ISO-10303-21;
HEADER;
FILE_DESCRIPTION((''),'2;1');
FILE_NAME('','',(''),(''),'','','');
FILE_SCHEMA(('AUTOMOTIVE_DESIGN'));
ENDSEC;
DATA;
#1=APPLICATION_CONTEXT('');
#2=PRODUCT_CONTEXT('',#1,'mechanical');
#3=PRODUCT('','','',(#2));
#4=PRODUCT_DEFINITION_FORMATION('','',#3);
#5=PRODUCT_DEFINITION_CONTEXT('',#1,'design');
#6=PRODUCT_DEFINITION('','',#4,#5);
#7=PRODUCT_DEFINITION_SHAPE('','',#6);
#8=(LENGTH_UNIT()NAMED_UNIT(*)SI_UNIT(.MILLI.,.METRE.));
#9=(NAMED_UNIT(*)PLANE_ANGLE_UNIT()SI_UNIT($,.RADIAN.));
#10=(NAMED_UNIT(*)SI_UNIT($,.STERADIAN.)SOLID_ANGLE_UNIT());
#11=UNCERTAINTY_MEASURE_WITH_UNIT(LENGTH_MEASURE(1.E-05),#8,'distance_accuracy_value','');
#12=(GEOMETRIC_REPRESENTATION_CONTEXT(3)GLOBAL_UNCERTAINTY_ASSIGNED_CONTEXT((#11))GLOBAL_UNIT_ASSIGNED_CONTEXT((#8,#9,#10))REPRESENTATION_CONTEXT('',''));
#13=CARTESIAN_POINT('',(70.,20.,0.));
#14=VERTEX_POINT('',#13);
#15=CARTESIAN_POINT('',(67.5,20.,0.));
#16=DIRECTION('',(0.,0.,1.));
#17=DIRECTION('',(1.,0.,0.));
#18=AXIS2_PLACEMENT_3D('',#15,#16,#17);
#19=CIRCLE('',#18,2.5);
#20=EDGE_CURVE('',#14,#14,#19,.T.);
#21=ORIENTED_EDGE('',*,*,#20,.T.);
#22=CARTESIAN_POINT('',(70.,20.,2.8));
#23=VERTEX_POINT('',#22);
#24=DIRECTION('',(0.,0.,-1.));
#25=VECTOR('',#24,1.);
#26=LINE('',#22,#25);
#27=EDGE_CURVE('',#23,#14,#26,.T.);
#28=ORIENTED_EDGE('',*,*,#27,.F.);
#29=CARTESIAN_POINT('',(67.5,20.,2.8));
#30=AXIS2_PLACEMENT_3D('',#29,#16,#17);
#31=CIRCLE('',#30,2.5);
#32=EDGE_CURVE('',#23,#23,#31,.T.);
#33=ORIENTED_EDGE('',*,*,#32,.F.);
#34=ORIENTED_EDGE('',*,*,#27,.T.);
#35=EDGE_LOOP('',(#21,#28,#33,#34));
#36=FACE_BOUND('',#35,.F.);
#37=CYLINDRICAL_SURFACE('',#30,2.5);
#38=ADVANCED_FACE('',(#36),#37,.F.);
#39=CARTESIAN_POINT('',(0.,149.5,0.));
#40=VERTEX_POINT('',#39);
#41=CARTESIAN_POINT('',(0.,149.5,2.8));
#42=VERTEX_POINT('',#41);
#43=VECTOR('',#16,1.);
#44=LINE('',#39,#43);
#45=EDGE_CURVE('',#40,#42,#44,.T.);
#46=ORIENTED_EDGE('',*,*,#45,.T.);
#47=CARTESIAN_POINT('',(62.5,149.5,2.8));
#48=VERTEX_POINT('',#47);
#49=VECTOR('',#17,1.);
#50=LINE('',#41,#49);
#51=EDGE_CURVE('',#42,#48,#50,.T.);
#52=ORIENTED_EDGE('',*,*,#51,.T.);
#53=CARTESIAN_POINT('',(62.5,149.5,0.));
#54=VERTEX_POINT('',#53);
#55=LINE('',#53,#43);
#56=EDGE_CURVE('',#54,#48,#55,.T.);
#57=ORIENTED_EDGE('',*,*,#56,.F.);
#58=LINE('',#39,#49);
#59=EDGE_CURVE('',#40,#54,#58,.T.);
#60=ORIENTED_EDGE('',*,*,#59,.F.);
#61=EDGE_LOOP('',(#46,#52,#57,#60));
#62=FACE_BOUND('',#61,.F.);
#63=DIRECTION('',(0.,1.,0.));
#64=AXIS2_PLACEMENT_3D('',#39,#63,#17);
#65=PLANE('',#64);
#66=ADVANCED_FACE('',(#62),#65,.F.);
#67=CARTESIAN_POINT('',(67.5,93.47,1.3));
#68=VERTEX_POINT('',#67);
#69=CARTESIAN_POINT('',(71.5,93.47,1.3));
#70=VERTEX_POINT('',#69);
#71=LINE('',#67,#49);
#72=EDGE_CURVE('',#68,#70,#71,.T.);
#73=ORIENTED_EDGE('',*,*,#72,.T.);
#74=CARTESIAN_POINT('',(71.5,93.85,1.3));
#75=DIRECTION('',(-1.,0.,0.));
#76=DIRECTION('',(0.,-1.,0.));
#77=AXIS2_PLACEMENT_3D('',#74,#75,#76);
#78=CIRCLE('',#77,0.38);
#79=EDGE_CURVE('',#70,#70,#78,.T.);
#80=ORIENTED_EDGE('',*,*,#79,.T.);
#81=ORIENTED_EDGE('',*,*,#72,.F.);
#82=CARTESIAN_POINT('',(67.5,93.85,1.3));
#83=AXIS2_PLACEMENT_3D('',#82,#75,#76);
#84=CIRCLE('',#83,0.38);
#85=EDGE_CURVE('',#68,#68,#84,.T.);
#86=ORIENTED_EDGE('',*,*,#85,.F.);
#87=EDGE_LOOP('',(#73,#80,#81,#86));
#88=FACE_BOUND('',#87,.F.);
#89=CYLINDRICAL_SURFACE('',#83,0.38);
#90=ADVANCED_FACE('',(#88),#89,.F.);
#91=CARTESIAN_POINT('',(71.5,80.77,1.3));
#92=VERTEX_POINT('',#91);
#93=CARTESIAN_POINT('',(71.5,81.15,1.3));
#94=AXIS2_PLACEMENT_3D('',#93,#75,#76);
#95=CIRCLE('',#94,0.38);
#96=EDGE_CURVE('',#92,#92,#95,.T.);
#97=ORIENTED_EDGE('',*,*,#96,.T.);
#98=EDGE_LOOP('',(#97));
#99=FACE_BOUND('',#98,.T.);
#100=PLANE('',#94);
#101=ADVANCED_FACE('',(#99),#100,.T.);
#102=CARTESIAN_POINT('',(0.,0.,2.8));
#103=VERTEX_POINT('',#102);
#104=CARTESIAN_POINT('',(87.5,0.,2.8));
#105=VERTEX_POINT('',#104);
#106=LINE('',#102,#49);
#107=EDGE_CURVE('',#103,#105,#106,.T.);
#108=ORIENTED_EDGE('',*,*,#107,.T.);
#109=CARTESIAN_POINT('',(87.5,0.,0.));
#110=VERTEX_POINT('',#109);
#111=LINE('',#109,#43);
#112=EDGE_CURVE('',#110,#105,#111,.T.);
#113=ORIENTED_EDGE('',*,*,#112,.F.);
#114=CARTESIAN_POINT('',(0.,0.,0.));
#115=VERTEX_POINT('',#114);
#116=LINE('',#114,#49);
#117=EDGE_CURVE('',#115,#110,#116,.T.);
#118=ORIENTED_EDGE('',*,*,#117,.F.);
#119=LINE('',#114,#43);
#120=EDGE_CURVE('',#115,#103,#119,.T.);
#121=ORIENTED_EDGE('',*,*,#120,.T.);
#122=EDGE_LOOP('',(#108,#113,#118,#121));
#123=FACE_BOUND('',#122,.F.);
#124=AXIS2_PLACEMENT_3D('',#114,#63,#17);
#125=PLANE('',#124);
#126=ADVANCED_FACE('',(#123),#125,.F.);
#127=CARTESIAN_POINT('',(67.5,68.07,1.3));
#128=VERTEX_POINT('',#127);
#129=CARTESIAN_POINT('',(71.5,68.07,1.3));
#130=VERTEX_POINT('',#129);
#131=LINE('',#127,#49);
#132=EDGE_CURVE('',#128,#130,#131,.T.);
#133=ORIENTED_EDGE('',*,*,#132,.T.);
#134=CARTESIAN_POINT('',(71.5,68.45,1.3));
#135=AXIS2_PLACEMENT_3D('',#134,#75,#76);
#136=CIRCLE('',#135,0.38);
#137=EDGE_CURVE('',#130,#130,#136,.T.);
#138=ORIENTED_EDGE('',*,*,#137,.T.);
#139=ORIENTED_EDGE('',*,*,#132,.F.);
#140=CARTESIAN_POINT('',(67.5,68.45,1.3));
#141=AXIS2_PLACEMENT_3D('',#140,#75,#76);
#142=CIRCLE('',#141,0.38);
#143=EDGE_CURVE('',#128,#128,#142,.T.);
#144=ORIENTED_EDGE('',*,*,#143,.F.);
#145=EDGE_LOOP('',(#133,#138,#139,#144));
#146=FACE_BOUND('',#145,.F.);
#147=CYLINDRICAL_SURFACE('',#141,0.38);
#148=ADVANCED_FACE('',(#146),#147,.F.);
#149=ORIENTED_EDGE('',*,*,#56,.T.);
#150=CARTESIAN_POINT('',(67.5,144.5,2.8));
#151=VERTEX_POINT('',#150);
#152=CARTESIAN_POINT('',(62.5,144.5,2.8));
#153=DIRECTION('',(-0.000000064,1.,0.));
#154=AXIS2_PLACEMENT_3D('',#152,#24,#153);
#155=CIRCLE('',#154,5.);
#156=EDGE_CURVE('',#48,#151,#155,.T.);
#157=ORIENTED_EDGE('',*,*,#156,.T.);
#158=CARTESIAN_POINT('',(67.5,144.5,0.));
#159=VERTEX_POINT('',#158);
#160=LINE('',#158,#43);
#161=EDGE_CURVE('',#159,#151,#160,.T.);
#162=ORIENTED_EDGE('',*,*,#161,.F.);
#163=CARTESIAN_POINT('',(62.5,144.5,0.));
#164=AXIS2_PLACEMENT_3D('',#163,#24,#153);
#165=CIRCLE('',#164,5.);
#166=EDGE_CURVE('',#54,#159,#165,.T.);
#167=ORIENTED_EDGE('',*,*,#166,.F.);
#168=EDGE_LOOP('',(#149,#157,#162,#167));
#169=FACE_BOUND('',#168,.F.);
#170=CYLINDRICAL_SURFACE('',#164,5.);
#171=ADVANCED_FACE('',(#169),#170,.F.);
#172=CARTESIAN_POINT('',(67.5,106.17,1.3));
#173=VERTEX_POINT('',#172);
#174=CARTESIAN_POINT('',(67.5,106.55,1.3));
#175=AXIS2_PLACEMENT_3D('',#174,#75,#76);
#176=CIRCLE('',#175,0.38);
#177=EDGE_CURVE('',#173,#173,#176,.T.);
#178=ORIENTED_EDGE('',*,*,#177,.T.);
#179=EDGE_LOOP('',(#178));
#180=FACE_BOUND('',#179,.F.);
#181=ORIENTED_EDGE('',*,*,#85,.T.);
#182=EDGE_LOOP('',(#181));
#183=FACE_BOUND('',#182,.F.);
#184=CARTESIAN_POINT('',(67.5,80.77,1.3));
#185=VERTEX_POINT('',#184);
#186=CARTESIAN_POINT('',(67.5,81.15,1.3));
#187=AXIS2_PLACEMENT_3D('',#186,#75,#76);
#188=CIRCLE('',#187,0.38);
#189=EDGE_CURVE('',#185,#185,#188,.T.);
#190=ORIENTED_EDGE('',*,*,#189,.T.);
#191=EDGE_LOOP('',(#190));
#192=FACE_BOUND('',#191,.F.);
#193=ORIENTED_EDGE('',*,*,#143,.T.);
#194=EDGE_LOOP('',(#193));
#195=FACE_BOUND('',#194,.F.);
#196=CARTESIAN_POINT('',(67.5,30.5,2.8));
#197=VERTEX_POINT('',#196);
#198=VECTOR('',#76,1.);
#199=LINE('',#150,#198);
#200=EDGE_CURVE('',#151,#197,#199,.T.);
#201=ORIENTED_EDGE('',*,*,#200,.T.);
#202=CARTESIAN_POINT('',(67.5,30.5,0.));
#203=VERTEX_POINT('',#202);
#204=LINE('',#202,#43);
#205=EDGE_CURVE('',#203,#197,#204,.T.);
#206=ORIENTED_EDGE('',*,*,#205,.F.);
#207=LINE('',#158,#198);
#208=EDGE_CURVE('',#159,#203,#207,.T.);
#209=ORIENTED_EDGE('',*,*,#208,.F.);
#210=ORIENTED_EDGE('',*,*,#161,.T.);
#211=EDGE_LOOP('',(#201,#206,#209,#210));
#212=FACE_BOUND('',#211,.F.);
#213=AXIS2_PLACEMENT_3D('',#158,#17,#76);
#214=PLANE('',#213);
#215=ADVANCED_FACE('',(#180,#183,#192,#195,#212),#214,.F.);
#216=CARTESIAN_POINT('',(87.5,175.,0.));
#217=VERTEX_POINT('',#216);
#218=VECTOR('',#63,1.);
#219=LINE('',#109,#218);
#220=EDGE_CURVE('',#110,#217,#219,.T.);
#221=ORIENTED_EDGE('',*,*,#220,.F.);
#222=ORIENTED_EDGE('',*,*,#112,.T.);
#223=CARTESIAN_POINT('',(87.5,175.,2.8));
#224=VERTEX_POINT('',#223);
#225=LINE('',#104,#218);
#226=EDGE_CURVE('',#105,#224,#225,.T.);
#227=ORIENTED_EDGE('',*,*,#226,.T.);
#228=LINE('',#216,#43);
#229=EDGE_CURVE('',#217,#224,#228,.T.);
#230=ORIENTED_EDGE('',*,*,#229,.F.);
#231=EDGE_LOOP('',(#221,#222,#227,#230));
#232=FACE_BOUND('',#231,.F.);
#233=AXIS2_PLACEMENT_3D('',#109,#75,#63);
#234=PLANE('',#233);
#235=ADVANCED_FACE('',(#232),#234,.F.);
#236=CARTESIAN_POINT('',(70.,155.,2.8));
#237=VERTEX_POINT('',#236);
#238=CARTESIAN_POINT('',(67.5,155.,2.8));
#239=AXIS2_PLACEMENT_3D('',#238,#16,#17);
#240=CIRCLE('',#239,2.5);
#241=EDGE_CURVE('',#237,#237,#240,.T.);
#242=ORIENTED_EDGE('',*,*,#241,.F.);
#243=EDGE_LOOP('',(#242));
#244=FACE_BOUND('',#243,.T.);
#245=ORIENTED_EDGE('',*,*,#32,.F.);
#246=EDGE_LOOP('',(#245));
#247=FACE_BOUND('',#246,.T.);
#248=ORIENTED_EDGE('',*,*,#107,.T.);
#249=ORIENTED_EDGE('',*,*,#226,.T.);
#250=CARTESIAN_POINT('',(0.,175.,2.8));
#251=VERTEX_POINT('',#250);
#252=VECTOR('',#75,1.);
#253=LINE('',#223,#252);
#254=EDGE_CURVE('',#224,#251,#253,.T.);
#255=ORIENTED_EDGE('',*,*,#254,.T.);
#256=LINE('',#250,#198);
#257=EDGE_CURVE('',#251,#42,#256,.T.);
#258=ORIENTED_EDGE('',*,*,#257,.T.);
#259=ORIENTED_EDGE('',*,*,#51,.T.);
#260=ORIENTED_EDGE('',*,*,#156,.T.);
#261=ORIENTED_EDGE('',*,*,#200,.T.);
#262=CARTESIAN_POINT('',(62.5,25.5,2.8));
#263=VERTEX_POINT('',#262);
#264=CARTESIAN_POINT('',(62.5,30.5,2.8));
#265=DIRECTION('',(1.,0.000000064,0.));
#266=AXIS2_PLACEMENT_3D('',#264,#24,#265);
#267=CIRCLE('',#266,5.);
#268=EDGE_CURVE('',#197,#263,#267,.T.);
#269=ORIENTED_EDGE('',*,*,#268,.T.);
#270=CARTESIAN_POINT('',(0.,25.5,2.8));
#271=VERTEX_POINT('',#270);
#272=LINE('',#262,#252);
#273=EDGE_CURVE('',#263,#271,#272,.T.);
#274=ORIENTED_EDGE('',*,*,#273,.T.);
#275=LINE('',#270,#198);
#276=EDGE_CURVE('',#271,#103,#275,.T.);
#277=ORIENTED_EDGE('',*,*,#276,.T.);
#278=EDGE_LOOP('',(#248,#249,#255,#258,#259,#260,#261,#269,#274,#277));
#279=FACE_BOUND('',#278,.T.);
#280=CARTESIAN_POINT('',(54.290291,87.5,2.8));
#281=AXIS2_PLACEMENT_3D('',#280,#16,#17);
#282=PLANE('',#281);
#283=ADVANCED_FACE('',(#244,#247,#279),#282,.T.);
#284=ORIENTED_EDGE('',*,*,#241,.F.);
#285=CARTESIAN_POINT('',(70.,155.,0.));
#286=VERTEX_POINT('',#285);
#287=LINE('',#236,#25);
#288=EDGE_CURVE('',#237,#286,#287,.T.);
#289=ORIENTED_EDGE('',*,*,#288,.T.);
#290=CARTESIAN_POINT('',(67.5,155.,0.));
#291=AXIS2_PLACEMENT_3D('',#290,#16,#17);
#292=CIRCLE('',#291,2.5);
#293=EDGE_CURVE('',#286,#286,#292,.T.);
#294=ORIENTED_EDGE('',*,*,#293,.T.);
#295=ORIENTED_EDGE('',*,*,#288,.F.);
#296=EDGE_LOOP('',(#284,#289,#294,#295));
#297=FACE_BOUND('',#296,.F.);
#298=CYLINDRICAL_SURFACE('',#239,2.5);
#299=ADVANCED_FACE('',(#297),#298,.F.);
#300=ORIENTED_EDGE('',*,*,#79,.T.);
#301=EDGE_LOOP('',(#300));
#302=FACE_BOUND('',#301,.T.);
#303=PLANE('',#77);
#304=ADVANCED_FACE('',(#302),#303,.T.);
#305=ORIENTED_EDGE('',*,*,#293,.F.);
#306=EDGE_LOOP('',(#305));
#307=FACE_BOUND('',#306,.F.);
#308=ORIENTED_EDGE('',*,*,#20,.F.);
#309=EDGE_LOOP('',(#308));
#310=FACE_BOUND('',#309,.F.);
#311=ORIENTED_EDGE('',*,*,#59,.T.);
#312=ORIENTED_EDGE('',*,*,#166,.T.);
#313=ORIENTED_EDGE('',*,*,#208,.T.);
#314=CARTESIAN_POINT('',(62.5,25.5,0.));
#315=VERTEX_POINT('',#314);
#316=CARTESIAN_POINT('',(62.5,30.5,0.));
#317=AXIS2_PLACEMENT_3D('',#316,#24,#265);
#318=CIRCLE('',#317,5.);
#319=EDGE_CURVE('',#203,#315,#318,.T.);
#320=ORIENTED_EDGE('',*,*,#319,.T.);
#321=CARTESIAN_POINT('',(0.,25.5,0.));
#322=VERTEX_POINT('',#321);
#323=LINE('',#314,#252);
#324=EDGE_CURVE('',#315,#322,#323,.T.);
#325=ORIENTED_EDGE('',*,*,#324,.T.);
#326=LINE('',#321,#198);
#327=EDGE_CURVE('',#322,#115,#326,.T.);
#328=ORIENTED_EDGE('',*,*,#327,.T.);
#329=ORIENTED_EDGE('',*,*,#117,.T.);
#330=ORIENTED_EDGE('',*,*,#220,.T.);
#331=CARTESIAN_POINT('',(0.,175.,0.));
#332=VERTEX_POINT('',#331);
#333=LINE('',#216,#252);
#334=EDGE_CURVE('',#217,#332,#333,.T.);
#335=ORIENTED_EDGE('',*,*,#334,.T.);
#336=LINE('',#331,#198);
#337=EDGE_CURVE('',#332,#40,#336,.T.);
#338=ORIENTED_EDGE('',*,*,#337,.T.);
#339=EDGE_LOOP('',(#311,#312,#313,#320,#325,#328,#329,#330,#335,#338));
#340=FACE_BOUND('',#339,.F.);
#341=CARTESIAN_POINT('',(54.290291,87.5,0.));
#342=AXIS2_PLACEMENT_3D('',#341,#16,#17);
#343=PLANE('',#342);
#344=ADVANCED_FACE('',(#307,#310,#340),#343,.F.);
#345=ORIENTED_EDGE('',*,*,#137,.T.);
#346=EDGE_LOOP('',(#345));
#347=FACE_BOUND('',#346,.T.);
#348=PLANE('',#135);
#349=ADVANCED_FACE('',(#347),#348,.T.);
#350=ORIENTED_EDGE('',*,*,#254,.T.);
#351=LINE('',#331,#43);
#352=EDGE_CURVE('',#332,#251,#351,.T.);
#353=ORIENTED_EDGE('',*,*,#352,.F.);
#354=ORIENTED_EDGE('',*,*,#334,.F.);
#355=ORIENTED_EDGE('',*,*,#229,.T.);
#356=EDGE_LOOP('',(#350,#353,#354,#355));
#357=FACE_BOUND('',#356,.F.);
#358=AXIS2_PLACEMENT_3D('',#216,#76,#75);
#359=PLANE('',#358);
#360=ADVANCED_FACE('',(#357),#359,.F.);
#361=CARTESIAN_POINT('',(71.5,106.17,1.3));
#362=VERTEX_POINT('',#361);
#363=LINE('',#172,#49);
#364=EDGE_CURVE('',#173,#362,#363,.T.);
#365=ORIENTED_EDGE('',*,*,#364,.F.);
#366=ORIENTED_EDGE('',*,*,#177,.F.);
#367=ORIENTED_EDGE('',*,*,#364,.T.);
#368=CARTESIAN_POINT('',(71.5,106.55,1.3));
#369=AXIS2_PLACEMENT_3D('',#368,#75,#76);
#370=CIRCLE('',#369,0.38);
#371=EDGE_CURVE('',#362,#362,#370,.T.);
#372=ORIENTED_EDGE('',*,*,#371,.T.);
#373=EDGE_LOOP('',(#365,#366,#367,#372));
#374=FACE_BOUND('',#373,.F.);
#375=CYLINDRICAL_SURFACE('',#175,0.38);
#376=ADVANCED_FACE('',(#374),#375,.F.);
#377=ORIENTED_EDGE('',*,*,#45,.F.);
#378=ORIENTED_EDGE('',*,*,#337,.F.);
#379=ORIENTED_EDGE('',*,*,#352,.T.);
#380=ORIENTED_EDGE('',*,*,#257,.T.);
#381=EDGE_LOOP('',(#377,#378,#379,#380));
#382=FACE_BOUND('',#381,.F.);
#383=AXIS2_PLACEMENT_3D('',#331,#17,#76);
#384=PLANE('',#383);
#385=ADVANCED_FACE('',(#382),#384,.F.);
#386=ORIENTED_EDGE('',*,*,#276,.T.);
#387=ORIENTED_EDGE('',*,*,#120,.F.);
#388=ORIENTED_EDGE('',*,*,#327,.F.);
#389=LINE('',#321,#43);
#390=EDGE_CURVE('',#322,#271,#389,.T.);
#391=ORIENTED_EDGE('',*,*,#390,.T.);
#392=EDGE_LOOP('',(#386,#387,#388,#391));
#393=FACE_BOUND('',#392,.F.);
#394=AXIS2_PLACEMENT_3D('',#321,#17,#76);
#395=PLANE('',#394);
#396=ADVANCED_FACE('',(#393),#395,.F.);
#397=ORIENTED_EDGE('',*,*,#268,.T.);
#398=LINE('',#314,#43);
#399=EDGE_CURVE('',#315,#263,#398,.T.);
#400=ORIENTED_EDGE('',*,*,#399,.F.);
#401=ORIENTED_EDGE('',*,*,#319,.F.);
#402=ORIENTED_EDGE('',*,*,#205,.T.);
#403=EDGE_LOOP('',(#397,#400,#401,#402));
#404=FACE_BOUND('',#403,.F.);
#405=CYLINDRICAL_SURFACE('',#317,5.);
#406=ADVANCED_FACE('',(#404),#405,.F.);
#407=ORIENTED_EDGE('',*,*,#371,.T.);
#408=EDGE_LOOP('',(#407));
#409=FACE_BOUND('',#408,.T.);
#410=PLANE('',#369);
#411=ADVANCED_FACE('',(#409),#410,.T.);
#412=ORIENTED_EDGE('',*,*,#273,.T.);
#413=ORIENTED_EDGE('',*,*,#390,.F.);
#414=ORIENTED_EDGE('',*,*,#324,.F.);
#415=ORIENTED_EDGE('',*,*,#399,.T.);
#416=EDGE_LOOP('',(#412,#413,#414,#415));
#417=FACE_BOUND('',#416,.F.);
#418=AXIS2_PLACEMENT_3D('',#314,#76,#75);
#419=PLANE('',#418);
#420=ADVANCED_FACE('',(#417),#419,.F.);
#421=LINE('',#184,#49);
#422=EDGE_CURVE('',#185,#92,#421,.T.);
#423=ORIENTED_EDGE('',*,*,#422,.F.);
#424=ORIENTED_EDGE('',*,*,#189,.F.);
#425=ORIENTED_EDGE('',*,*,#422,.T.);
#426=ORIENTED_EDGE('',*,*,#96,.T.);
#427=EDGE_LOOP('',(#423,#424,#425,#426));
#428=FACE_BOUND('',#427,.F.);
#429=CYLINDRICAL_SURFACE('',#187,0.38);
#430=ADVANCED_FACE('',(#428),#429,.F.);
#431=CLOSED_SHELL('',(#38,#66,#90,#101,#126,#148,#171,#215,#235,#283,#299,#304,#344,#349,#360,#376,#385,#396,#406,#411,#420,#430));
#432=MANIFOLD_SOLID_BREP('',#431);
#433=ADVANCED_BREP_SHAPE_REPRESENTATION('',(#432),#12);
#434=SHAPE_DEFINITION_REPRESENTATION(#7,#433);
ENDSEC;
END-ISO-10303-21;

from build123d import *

# Parameters (mm, degrees)
F1_DEPTH = 2.8
F2_R     = 0.38
F3_DEPTH = 4
F4_R     = 2.5
F5_DEPTH = 2.801


with BuildPart() as f1:
    # F0 (on Top) → F1 (new body)
    with BuildSketch(Plane.XY):
        with BuildLine():
            Line((0, 25.5), (0, 0))
            Line((0, 0), (87.5, 0))
            Line((87.5, 0), (87.5, 175))
            Line((87.5, 175), (0, 175))
            Line((0, 175), (0, 149.5))
            Line((0, 149.5), (62.5, 149.5))
            ThreePointArc((62.5, 149.5), (66.035534, 148.035534), (67.5, 144.5))
            Line((67.5, 144.5), (67.5, 30.5))
            ThreePointArc((67.5, 30.5), (66.035534, 26.964466), (62.5, 25.5))
            Line((62.5, 25.5), (0, 25.5))
        make_face()
    extrude(amount=F1_DEPTH)

    # F2 (on face) → F3 (cut)
    with BuildSketch(Plane(origin=(67.5, 0, 0), x_dir=(0, -1, 0), z_dir=(-1, 0, 0))):
        with Locations((-106.55, 1.3)):
            Circle(F2_R)
        with Locations((-93.85, 1.3)):
            Circle(F2_R)
        with Locations((-81.15, 1.3)):
            Circle(F2_R)
        with Locations((-68.45, 1.3)):
            Circle(F2_R)
    extrude(amount=-F3_DEPTH, mode=Mode.SUBTRACT)

    # F4 (on face) → F5 (cut, through all)
    with BuildSketch(Plane.XY.offset(2.8)):
        with Locations((67.5, 155)):
            Circle(F4_R)
        with Locations((67.5, 20)):
            Circle(F4_R)
    extrude(amount=-F5_DEPTH, mode=Mode.SUBTRACT)


solid = f1.part
